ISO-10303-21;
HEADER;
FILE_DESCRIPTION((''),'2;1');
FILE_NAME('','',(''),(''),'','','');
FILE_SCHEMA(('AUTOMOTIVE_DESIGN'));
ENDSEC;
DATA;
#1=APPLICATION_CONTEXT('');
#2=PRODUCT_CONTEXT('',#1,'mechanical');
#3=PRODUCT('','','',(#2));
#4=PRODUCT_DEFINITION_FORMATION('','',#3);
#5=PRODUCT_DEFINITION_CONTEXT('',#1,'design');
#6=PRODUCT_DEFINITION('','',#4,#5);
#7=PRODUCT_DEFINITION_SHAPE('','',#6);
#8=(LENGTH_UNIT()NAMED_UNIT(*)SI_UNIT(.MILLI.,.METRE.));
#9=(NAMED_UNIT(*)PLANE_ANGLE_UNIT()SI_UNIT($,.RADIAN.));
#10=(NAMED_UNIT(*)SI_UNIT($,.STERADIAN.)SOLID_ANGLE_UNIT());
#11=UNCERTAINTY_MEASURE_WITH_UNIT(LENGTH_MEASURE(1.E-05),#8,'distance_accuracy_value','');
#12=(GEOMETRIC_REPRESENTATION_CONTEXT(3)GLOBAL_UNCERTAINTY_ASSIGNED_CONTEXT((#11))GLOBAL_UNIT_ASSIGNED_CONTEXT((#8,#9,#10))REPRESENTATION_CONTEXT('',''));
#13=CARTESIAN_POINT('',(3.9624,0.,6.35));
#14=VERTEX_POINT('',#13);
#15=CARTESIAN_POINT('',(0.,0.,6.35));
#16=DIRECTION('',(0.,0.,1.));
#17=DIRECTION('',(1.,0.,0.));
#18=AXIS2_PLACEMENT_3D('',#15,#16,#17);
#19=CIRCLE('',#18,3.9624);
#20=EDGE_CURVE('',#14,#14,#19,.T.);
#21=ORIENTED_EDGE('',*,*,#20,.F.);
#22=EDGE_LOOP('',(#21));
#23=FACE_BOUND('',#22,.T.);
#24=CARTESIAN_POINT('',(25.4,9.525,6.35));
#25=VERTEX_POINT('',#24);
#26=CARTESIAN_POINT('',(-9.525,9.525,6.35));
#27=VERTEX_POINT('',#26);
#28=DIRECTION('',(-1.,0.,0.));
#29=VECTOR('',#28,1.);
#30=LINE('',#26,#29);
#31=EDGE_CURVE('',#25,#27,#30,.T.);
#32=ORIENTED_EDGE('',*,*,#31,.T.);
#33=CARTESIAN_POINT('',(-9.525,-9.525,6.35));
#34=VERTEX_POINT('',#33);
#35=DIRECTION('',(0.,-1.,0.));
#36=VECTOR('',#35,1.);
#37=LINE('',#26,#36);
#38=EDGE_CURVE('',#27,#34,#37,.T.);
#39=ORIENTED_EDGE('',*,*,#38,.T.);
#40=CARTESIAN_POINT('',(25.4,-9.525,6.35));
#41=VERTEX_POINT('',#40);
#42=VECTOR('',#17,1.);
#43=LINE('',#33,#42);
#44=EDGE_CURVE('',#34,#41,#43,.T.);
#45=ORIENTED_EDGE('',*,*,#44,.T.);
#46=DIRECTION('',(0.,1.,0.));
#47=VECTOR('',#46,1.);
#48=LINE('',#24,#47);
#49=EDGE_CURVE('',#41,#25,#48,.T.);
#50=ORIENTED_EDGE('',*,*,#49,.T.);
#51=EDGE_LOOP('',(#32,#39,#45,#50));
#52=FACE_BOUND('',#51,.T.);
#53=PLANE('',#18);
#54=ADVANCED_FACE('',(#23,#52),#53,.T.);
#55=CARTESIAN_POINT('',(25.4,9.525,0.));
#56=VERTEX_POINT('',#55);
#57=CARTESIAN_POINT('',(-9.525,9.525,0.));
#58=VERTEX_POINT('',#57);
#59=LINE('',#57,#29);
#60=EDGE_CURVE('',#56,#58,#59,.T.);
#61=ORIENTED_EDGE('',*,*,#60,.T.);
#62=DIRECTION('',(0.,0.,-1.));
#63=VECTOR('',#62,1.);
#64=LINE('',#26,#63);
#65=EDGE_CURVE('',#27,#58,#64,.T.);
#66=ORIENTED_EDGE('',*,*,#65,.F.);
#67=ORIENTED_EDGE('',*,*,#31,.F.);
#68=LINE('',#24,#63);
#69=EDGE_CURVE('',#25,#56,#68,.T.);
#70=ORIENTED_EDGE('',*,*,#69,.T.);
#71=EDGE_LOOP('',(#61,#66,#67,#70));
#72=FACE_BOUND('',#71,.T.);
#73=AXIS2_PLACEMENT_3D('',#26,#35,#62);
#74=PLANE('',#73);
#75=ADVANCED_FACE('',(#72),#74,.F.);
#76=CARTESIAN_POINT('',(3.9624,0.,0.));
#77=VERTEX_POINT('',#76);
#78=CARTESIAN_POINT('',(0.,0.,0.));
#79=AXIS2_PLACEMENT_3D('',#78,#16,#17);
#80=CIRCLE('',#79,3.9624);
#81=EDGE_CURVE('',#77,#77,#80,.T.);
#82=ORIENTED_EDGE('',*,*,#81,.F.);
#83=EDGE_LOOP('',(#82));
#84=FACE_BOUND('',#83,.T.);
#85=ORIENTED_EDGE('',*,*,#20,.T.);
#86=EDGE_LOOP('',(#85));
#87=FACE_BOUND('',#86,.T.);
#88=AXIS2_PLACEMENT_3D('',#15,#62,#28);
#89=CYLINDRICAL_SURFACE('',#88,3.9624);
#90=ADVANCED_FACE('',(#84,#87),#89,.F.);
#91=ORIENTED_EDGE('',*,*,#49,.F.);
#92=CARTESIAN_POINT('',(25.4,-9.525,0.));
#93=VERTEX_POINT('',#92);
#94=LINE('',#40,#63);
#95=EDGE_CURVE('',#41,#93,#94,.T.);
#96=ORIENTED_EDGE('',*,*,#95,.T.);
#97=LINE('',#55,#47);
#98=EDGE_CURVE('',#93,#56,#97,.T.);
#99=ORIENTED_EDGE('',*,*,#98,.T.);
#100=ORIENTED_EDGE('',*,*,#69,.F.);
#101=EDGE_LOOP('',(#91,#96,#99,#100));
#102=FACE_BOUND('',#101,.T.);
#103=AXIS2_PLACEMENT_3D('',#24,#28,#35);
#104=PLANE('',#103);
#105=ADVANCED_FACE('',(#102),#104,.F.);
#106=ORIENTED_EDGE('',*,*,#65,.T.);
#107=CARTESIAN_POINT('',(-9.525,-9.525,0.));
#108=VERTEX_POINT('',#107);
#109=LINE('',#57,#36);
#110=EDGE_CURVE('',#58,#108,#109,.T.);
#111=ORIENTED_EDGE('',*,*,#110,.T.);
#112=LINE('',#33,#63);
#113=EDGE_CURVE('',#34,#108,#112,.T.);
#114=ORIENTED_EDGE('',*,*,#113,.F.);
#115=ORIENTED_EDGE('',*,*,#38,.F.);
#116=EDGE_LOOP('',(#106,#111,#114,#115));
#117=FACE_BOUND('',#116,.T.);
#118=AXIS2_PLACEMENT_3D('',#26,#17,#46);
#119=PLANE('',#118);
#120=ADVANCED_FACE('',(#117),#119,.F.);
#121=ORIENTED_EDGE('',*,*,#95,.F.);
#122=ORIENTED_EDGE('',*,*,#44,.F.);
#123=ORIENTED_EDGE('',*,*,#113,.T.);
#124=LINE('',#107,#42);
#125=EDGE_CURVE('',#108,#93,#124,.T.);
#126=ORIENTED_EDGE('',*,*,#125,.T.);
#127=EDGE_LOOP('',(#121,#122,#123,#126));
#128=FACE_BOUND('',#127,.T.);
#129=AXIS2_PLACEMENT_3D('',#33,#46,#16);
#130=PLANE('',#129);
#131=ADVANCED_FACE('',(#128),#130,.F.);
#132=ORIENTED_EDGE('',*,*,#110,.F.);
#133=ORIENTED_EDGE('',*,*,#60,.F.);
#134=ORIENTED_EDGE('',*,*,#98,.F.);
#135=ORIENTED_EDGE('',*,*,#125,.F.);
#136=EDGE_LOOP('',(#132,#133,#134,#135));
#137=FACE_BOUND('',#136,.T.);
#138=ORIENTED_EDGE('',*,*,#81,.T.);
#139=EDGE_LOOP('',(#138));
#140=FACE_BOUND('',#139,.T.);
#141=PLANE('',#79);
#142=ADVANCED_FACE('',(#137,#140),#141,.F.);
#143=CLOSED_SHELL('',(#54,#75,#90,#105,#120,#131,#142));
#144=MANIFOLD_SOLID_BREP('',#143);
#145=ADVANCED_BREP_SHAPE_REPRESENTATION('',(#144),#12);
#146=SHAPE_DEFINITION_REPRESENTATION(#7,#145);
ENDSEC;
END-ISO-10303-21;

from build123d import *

# Parameters (mm, degrees)
SKETCH1_W           = 34.925
SKETCH1_H           = 19.05
SKETCH1_R           = 3.9624
BOSS_EXTRUDE1_DEPTH = 6.35


with BuildPart() as part:
    # Sketch1 → Boss-Extrude1 (new body)
    with BuildSketch(Plane.XY):
        with Locations((7.9375, 0)):
            Rectangle(SKETCH1_W, SKETCH1_H)
        Circle(SKETCH1_R, mode=Mode.SUBTRACT)
    extrude(amount=BOSS_EXTRUDE1_DEPTH)


solid = part.part
